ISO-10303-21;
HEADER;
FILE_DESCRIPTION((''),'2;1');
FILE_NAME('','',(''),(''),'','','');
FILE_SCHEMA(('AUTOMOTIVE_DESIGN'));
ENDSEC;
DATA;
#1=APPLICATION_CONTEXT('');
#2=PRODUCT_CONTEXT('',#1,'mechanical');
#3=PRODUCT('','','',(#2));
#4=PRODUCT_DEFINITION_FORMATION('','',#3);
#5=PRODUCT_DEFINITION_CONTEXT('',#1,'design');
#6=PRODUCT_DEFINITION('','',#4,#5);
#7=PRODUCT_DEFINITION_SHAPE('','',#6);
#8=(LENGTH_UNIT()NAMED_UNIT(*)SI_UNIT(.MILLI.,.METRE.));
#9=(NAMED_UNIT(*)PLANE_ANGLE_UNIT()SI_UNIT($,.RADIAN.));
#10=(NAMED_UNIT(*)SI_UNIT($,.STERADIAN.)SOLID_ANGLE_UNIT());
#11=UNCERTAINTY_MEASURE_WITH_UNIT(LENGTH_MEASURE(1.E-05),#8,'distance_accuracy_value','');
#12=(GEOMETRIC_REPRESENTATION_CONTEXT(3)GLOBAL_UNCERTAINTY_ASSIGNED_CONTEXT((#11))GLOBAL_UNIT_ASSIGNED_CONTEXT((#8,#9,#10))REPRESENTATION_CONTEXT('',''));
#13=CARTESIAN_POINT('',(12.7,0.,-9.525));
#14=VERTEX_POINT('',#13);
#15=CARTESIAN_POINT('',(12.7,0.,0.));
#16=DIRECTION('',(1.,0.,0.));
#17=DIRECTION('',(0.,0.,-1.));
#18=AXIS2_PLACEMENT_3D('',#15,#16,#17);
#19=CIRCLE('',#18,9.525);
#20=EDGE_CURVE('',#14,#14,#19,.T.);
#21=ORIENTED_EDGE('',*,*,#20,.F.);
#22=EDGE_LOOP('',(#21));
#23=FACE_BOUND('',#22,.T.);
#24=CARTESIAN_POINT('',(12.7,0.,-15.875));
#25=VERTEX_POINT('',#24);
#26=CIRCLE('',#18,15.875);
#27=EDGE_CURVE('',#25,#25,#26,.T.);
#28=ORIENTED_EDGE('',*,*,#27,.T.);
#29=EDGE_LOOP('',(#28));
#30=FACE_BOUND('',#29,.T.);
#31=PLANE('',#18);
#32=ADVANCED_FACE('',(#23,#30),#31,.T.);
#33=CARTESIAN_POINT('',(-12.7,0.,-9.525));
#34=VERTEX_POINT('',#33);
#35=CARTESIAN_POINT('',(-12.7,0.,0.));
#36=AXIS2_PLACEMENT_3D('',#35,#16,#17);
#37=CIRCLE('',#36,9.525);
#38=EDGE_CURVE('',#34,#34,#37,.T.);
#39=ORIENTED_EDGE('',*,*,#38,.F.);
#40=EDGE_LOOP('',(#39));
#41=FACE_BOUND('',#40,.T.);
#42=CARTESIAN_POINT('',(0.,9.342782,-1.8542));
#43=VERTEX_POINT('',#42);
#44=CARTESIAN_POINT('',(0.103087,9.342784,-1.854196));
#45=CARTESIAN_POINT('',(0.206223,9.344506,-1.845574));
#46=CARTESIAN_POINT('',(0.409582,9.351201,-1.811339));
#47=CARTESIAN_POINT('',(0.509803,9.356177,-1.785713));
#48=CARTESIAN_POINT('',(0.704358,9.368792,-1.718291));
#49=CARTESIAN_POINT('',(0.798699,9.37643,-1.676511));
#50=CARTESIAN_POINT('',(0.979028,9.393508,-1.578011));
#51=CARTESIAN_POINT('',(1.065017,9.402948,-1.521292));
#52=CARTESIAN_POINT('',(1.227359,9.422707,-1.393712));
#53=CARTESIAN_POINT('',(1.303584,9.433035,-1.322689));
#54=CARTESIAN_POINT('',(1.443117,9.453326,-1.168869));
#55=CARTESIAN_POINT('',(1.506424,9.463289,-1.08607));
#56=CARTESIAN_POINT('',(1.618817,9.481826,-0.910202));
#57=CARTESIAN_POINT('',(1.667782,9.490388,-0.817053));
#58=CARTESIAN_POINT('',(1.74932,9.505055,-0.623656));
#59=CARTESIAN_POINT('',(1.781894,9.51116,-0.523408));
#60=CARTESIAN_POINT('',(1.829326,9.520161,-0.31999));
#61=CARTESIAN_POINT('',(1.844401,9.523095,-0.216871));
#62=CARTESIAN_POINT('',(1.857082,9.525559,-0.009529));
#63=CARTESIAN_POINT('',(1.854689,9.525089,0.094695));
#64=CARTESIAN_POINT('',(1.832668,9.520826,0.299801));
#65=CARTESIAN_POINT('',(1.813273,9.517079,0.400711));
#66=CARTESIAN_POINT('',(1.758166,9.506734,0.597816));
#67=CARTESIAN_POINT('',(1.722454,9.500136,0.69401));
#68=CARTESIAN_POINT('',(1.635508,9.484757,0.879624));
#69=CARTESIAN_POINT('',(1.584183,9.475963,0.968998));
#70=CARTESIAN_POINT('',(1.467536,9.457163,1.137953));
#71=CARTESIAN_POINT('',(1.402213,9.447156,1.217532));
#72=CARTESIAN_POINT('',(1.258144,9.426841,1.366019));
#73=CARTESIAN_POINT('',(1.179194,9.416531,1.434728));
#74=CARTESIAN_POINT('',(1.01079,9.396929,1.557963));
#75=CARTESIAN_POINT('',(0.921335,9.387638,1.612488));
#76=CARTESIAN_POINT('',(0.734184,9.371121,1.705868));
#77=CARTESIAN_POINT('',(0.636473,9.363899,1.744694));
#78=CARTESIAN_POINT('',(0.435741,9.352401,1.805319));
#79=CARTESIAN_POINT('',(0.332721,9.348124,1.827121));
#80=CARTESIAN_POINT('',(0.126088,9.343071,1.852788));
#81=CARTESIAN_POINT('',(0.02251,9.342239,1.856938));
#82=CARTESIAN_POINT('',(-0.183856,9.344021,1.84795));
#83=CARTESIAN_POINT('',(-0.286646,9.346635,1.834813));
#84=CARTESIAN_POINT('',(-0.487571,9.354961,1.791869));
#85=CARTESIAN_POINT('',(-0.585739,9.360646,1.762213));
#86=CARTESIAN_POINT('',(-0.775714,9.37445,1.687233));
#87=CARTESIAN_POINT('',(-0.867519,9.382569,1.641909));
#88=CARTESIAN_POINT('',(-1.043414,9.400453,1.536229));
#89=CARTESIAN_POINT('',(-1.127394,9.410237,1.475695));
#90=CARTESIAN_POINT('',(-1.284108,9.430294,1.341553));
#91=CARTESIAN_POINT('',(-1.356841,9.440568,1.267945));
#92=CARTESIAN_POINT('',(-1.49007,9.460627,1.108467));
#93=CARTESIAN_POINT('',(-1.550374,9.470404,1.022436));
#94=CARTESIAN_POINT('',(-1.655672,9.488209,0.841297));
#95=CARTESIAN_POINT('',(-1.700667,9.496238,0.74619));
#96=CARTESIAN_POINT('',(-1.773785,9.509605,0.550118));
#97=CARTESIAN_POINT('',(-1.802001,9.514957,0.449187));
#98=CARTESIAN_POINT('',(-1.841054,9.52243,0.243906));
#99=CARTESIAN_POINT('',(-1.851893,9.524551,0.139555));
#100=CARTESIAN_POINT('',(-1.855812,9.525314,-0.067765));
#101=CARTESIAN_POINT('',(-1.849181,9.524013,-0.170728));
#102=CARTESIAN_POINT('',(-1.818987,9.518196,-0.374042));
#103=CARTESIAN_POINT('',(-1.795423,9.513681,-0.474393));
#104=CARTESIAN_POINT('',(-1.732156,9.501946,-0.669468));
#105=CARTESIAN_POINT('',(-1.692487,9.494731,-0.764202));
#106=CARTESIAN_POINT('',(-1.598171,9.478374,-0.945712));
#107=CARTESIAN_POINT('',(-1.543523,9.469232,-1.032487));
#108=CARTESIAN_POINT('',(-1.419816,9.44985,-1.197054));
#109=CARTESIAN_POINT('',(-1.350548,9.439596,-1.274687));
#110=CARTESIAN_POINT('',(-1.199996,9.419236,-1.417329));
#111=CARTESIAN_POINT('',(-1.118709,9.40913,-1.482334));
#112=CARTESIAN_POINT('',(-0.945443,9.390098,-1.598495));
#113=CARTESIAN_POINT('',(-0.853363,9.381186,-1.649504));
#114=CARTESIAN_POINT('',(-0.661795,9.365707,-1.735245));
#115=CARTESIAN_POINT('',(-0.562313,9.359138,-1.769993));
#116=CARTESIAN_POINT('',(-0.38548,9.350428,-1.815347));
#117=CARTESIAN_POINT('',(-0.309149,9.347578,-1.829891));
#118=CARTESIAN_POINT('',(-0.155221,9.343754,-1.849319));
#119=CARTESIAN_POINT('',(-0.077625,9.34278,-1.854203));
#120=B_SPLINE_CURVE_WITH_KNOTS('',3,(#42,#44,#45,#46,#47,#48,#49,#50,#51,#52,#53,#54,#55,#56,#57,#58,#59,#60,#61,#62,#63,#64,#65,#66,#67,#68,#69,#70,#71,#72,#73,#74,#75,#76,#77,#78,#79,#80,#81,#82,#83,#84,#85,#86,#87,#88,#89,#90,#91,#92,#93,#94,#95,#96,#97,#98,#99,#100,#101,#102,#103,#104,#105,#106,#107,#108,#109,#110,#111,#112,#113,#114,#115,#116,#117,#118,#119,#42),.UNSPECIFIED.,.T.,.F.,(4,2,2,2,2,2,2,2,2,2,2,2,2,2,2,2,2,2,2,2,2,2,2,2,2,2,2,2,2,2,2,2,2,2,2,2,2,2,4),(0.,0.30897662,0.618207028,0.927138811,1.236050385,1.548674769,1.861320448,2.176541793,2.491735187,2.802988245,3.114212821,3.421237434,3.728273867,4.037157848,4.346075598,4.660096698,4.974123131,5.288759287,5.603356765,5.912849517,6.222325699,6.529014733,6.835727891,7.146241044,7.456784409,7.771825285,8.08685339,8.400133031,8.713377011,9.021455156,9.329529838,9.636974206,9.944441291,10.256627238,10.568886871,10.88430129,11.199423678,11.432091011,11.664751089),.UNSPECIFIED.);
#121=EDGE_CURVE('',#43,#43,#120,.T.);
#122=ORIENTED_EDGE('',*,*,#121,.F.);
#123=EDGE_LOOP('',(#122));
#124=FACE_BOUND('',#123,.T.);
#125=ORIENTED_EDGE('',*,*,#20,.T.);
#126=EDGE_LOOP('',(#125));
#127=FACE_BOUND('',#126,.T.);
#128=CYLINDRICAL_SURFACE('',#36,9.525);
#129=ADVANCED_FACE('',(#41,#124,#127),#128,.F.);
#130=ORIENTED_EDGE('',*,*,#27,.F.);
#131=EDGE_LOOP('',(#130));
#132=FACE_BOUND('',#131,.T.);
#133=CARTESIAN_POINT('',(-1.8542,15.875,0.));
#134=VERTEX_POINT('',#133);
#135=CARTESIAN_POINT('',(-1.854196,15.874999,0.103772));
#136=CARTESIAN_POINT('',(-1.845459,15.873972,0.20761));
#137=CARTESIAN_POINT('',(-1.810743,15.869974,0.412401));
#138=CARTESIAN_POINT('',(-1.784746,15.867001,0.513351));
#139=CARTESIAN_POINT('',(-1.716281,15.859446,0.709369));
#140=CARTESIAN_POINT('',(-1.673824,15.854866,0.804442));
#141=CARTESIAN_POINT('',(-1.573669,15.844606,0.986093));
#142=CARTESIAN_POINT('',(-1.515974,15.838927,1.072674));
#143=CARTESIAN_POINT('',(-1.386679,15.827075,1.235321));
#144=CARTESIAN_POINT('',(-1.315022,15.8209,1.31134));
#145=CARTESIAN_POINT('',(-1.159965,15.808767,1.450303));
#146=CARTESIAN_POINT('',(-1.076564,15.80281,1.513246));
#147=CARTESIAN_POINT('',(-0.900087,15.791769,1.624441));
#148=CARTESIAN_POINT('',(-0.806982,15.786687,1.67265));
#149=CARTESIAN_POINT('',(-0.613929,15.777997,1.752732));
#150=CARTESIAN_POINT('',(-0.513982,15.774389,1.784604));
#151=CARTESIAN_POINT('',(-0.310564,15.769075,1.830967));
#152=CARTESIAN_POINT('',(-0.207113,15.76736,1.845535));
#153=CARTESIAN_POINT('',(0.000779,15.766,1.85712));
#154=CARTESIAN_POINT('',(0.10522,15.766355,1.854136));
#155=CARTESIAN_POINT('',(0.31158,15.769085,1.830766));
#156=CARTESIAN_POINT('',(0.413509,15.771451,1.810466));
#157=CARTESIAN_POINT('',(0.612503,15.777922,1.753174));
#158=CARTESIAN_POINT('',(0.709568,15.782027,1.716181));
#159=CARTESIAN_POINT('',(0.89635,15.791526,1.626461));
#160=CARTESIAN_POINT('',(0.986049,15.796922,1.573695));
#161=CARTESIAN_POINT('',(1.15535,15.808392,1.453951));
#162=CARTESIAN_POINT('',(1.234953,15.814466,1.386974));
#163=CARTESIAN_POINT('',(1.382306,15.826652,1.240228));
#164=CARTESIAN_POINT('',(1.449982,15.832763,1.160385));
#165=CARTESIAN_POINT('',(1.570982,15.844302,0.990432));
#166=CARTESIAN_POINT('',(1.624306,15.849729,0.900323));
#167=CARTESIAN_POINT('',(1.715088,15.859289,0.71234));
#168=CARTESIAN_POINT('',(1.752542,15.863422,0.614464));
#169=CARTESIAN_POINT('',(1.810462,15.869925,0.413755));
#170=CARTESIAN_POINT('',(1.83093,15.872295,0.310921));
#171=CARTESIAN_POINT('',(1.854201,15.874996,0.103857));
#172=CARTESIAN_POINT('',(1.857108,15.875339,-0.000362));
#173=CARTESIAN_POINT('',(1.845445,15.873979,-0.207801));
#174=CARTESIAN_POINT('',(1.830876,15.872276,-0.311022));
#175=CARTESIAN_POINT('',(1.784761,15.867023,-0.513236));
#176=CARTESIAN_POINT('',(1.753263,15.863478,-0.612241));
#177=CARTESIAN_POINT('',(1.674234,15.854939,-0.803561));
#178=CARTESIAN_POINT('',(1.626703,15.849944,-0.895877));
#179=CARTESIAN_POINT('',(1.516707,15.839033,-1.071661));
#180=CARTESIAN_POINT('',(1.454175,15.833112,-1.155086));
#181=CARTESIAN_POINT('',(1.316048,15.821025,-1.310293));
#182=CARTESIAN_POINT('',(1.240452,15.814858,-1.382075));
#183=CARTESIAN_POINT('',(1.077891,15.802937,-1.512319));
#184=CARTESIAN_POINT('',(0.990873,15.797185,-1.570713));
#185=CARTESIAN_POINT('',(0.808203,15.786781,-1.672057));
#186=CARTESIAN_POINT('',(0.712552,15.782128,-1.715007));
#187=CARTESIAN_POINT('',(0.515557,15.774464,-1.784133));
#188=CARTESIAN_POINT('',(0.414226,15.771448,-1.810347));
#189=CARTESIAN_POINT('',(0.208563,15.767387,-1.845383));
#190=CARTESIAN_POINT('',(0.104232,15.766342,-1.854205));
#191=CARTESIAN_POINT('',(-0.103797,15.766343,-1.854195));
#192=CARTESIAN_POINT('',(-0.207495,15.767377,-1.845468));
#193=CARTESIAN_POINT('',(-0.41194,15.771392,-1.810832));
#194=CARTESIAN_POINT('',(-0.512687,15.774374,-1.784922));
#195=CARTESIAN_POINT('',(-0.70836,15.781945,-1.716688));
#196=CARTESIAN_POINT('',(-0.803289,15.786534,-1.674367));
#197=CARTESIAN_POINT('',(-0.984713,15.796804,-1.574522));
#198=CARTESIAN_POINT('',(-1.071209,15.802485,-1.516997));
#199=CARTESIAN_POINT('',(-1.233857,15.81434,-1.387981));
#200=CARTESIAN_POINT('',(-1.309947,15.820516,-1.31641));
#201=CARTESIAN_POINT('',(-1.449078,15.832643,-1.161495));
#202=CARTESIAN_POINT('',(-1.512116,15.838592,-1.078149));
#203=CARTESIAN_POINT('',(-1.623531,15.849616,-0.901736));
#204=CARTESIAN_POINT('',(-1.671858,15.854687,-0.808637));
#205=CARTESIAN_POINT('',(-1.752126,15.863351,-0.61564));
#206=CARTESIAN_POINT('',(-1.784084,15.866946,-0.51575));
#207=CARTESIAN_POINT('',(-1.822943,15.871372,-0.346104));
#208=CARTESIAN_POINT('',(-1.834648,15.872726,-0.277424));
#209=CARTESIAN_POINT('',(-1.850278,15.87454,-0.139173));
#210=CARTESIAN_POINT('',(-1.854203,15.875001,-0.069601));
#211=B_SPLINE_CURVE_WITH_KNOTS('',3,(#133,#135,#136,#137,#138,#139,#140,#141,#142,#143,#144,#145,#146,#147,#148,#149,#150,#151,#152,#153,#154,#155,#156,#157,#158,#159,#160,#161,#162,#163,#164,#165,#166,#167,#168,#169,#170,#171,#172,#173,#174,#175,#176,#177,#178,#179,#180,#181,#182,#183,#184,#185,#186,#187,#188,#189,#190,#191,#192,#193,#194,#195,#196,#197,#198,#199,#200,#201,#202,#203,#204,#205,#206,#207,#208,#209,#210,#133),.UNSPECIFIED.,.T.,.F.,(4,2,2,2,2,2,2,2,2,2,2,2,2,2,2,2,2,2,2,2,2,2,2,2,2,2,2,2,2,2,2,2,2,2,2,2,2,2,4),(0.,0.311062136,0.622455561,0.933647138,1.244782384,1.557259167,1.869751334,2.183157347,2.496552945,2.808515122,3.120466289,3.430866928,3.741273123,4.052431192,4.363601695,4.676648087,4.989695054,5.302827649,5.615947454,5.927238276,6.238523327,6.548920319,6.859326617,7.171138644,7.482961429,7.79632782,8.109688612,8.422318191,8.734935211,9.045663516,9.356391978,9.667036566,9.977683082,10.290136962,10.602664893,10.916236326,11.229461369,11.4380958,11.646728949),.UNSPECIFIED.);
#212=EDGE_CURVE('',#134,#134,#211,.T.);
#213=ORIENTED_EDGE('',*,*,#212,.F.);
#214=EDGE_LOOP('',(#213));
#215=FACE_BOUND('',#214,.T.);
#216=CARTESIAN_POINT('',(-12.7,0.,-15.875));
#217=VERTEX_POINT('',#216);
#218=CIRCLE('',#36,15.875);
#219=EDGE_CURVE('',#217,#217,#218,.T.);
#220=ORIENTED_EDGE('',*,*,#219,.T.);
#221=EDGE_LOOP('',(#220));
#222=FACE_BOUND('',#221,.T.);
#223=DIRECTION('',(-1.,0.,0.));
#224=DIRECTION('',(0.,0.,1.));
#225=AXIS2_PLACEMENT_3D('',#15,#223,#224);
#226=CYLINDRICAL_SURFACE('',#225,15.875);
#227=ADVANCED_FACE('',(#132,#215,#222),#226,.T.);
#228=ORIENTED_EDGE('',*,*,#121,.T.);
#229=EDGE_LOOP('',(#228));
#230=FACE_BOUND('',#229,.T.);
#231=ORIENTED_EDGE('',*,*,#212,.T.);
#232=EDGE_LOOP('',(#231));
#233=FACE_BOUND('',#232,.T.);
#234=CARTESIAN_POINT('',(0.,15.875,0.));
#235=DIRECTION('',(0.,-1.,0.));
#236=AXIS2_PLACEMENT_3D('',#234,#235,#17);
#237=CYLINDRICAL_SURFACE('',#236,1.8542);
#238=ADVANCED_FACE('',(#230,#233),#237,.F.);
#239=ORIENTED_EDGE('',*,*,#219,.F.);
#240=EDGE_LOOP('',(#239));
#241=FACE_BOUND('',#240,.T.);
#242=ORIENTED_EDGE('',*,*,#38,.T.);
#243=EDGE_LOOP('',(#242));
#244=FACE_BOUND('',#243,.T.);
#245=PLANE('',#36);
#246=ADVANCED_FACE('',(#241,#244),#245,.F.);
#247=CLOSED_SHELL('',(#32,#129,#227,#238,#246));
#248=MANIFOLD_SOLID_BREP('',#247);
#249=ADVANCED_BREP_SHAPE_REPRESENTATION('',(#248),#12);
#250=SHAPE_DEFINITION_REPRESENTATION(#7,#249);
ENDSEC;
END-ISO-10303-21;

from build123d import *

# Parameters (mm, degrees)
SKETCH1_R           = 15.875
BOSS_EXTRUDE1_DEPTH = 12.7
SKETCH2_R           = 9.525
F_3_4_REAM_DEPTH    = 34.89972345
SKETCH3_R           = 1.8542
F_10_32_TAP_DEPTH   = 26.793821935


with BuildPart() as part:
    # Sketch1 → Boss-Extrude1 (new, symmetric)
    with BuildSketch(Plane(origin=(0, 0, 0), x_dir=(0, 0, -1), z_dir=(1, 0, 0))):
        Circle(SKETCH1_R)
    extrude(amount=BOSS_EXTRUDE1_DEPTH, both=True)

    # Sketch2 → 3/4 Ream (cut, through all)
    with BuildSketch(Plane(origin=(12.7, 0, 0), x_dir=(0, 0, -1), z_dir=(1, 0, 0))):
        Circle(SKETCH2_R)
    extrude(amount=-F_3_4_REAM_DEPTH, mode=Mode.SUBTRACT)

    # Sketch3 → #10-32 Tap (cut, through all)
    with BuildSketch(Plane(origin=(0, 0, 0), x_dir=(1, 0, 0), z_dir=(0, 1, 0))):
        with Locations(Location((0, 0, 0), (0, 0, 90))):
            Circle(SKETCH3_R)
    extrude(amount=F_10_32_TAP_DEPTH, mode=Mode.SUBTRACT)


solid = part.part
